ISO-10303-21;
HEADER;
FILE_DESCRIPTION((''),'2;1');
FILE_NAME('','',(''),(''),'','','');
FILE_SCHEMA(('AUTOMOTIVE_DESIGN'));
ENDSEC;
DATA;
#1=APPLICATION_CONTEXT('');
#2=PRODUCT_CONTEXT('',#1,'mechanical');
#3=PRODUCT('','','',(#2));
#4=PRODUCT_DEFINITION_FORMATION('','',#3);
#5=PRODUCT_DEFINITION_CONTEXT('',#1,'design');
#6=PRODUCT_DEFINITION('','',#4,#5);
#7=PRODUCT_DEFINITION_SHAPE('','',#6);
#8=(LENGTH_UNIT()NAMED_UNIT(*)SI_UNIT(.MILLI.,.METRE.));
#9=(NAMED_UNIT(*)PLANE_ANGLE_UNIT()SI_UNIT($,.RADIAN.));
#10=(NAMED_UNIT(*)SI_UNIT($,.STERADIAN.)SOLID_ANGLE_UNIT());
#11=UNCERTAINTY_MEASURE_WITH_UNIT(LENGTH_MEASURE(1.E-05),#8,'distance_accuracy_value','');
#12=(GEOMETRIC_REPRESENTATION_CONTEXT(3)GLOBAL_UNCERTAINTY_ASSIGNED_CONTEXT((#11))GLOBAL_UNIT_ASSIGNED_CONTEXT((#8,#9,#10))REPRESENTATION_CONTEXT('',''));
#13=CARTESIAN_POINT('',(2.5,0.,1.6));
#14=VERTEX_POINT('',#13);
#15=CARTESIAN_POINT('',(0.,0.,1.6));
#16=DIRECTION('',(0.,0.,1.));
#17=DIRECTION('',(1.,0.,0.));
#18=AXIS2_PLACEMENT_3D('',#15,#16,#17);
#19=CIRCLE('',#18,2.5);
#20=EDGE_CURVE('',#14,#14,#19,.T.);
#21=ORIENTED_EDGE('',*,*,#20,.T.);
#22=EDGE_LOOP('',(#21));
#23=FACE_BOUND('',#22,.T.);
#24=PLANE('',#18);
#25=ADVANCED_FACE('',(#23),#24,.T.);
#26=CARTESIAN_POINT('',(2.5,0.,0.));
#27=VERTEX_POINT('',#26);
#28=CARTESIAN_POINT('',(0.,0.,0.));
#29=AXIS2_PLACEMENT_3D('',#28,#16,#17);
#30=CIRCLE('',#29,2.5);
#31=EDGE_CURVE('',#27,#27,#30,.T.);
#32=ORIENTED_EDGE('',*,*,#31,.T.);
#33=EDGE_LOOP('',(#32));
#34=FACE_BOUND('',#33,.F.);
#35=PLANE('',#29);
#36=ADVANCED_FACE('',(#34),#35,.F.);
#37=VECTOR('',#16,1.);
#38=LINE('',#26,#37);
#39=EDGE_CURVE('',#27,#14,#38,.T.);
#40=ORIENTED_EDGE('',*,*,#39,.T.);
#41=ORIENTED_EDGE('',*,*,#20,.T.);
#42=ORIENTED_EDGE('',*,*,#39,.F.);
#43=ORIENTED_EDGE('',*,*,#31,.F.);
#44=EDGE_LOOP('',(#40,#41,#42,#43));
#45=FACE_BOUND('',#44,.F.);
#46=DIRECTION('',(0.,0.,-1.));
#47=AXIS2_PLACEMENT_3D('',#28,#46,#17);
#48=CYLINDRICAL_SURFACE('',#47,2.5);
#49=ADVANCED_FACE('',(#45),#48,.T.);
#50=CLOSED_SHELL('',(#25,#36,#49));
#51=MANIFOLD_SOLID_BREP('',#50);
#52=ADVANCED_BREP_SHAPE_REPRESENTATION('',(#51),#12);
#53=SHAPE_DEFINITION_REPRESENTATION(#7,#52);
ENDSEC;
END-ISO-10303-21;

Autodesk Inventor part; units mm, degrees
ref_plane "YZ Plane" through (0, 0, 0) normal (1, 0, 0) x (0, 1, 0)
ref_plane "XZ Plane" through (0, 0, 0) normal (0, 1, 0) x (-1, 0, 0)
ref_plane "XY Plane" through (0, 0, 0) normal (0, 0, 1) x (1, 0, 0)
sketch "Sketch1" plane through (0, 0, 0) normal (0, 0, 1) x (1, 0, 0)
  circle A0 centre (0, 0) radius 2.5
  dimension "d0" = 5
extrude "Extrusion1" add sketch "Sketch1" along normal blind 1.6
properties part number "groundGlassDisc" material "Glass"
